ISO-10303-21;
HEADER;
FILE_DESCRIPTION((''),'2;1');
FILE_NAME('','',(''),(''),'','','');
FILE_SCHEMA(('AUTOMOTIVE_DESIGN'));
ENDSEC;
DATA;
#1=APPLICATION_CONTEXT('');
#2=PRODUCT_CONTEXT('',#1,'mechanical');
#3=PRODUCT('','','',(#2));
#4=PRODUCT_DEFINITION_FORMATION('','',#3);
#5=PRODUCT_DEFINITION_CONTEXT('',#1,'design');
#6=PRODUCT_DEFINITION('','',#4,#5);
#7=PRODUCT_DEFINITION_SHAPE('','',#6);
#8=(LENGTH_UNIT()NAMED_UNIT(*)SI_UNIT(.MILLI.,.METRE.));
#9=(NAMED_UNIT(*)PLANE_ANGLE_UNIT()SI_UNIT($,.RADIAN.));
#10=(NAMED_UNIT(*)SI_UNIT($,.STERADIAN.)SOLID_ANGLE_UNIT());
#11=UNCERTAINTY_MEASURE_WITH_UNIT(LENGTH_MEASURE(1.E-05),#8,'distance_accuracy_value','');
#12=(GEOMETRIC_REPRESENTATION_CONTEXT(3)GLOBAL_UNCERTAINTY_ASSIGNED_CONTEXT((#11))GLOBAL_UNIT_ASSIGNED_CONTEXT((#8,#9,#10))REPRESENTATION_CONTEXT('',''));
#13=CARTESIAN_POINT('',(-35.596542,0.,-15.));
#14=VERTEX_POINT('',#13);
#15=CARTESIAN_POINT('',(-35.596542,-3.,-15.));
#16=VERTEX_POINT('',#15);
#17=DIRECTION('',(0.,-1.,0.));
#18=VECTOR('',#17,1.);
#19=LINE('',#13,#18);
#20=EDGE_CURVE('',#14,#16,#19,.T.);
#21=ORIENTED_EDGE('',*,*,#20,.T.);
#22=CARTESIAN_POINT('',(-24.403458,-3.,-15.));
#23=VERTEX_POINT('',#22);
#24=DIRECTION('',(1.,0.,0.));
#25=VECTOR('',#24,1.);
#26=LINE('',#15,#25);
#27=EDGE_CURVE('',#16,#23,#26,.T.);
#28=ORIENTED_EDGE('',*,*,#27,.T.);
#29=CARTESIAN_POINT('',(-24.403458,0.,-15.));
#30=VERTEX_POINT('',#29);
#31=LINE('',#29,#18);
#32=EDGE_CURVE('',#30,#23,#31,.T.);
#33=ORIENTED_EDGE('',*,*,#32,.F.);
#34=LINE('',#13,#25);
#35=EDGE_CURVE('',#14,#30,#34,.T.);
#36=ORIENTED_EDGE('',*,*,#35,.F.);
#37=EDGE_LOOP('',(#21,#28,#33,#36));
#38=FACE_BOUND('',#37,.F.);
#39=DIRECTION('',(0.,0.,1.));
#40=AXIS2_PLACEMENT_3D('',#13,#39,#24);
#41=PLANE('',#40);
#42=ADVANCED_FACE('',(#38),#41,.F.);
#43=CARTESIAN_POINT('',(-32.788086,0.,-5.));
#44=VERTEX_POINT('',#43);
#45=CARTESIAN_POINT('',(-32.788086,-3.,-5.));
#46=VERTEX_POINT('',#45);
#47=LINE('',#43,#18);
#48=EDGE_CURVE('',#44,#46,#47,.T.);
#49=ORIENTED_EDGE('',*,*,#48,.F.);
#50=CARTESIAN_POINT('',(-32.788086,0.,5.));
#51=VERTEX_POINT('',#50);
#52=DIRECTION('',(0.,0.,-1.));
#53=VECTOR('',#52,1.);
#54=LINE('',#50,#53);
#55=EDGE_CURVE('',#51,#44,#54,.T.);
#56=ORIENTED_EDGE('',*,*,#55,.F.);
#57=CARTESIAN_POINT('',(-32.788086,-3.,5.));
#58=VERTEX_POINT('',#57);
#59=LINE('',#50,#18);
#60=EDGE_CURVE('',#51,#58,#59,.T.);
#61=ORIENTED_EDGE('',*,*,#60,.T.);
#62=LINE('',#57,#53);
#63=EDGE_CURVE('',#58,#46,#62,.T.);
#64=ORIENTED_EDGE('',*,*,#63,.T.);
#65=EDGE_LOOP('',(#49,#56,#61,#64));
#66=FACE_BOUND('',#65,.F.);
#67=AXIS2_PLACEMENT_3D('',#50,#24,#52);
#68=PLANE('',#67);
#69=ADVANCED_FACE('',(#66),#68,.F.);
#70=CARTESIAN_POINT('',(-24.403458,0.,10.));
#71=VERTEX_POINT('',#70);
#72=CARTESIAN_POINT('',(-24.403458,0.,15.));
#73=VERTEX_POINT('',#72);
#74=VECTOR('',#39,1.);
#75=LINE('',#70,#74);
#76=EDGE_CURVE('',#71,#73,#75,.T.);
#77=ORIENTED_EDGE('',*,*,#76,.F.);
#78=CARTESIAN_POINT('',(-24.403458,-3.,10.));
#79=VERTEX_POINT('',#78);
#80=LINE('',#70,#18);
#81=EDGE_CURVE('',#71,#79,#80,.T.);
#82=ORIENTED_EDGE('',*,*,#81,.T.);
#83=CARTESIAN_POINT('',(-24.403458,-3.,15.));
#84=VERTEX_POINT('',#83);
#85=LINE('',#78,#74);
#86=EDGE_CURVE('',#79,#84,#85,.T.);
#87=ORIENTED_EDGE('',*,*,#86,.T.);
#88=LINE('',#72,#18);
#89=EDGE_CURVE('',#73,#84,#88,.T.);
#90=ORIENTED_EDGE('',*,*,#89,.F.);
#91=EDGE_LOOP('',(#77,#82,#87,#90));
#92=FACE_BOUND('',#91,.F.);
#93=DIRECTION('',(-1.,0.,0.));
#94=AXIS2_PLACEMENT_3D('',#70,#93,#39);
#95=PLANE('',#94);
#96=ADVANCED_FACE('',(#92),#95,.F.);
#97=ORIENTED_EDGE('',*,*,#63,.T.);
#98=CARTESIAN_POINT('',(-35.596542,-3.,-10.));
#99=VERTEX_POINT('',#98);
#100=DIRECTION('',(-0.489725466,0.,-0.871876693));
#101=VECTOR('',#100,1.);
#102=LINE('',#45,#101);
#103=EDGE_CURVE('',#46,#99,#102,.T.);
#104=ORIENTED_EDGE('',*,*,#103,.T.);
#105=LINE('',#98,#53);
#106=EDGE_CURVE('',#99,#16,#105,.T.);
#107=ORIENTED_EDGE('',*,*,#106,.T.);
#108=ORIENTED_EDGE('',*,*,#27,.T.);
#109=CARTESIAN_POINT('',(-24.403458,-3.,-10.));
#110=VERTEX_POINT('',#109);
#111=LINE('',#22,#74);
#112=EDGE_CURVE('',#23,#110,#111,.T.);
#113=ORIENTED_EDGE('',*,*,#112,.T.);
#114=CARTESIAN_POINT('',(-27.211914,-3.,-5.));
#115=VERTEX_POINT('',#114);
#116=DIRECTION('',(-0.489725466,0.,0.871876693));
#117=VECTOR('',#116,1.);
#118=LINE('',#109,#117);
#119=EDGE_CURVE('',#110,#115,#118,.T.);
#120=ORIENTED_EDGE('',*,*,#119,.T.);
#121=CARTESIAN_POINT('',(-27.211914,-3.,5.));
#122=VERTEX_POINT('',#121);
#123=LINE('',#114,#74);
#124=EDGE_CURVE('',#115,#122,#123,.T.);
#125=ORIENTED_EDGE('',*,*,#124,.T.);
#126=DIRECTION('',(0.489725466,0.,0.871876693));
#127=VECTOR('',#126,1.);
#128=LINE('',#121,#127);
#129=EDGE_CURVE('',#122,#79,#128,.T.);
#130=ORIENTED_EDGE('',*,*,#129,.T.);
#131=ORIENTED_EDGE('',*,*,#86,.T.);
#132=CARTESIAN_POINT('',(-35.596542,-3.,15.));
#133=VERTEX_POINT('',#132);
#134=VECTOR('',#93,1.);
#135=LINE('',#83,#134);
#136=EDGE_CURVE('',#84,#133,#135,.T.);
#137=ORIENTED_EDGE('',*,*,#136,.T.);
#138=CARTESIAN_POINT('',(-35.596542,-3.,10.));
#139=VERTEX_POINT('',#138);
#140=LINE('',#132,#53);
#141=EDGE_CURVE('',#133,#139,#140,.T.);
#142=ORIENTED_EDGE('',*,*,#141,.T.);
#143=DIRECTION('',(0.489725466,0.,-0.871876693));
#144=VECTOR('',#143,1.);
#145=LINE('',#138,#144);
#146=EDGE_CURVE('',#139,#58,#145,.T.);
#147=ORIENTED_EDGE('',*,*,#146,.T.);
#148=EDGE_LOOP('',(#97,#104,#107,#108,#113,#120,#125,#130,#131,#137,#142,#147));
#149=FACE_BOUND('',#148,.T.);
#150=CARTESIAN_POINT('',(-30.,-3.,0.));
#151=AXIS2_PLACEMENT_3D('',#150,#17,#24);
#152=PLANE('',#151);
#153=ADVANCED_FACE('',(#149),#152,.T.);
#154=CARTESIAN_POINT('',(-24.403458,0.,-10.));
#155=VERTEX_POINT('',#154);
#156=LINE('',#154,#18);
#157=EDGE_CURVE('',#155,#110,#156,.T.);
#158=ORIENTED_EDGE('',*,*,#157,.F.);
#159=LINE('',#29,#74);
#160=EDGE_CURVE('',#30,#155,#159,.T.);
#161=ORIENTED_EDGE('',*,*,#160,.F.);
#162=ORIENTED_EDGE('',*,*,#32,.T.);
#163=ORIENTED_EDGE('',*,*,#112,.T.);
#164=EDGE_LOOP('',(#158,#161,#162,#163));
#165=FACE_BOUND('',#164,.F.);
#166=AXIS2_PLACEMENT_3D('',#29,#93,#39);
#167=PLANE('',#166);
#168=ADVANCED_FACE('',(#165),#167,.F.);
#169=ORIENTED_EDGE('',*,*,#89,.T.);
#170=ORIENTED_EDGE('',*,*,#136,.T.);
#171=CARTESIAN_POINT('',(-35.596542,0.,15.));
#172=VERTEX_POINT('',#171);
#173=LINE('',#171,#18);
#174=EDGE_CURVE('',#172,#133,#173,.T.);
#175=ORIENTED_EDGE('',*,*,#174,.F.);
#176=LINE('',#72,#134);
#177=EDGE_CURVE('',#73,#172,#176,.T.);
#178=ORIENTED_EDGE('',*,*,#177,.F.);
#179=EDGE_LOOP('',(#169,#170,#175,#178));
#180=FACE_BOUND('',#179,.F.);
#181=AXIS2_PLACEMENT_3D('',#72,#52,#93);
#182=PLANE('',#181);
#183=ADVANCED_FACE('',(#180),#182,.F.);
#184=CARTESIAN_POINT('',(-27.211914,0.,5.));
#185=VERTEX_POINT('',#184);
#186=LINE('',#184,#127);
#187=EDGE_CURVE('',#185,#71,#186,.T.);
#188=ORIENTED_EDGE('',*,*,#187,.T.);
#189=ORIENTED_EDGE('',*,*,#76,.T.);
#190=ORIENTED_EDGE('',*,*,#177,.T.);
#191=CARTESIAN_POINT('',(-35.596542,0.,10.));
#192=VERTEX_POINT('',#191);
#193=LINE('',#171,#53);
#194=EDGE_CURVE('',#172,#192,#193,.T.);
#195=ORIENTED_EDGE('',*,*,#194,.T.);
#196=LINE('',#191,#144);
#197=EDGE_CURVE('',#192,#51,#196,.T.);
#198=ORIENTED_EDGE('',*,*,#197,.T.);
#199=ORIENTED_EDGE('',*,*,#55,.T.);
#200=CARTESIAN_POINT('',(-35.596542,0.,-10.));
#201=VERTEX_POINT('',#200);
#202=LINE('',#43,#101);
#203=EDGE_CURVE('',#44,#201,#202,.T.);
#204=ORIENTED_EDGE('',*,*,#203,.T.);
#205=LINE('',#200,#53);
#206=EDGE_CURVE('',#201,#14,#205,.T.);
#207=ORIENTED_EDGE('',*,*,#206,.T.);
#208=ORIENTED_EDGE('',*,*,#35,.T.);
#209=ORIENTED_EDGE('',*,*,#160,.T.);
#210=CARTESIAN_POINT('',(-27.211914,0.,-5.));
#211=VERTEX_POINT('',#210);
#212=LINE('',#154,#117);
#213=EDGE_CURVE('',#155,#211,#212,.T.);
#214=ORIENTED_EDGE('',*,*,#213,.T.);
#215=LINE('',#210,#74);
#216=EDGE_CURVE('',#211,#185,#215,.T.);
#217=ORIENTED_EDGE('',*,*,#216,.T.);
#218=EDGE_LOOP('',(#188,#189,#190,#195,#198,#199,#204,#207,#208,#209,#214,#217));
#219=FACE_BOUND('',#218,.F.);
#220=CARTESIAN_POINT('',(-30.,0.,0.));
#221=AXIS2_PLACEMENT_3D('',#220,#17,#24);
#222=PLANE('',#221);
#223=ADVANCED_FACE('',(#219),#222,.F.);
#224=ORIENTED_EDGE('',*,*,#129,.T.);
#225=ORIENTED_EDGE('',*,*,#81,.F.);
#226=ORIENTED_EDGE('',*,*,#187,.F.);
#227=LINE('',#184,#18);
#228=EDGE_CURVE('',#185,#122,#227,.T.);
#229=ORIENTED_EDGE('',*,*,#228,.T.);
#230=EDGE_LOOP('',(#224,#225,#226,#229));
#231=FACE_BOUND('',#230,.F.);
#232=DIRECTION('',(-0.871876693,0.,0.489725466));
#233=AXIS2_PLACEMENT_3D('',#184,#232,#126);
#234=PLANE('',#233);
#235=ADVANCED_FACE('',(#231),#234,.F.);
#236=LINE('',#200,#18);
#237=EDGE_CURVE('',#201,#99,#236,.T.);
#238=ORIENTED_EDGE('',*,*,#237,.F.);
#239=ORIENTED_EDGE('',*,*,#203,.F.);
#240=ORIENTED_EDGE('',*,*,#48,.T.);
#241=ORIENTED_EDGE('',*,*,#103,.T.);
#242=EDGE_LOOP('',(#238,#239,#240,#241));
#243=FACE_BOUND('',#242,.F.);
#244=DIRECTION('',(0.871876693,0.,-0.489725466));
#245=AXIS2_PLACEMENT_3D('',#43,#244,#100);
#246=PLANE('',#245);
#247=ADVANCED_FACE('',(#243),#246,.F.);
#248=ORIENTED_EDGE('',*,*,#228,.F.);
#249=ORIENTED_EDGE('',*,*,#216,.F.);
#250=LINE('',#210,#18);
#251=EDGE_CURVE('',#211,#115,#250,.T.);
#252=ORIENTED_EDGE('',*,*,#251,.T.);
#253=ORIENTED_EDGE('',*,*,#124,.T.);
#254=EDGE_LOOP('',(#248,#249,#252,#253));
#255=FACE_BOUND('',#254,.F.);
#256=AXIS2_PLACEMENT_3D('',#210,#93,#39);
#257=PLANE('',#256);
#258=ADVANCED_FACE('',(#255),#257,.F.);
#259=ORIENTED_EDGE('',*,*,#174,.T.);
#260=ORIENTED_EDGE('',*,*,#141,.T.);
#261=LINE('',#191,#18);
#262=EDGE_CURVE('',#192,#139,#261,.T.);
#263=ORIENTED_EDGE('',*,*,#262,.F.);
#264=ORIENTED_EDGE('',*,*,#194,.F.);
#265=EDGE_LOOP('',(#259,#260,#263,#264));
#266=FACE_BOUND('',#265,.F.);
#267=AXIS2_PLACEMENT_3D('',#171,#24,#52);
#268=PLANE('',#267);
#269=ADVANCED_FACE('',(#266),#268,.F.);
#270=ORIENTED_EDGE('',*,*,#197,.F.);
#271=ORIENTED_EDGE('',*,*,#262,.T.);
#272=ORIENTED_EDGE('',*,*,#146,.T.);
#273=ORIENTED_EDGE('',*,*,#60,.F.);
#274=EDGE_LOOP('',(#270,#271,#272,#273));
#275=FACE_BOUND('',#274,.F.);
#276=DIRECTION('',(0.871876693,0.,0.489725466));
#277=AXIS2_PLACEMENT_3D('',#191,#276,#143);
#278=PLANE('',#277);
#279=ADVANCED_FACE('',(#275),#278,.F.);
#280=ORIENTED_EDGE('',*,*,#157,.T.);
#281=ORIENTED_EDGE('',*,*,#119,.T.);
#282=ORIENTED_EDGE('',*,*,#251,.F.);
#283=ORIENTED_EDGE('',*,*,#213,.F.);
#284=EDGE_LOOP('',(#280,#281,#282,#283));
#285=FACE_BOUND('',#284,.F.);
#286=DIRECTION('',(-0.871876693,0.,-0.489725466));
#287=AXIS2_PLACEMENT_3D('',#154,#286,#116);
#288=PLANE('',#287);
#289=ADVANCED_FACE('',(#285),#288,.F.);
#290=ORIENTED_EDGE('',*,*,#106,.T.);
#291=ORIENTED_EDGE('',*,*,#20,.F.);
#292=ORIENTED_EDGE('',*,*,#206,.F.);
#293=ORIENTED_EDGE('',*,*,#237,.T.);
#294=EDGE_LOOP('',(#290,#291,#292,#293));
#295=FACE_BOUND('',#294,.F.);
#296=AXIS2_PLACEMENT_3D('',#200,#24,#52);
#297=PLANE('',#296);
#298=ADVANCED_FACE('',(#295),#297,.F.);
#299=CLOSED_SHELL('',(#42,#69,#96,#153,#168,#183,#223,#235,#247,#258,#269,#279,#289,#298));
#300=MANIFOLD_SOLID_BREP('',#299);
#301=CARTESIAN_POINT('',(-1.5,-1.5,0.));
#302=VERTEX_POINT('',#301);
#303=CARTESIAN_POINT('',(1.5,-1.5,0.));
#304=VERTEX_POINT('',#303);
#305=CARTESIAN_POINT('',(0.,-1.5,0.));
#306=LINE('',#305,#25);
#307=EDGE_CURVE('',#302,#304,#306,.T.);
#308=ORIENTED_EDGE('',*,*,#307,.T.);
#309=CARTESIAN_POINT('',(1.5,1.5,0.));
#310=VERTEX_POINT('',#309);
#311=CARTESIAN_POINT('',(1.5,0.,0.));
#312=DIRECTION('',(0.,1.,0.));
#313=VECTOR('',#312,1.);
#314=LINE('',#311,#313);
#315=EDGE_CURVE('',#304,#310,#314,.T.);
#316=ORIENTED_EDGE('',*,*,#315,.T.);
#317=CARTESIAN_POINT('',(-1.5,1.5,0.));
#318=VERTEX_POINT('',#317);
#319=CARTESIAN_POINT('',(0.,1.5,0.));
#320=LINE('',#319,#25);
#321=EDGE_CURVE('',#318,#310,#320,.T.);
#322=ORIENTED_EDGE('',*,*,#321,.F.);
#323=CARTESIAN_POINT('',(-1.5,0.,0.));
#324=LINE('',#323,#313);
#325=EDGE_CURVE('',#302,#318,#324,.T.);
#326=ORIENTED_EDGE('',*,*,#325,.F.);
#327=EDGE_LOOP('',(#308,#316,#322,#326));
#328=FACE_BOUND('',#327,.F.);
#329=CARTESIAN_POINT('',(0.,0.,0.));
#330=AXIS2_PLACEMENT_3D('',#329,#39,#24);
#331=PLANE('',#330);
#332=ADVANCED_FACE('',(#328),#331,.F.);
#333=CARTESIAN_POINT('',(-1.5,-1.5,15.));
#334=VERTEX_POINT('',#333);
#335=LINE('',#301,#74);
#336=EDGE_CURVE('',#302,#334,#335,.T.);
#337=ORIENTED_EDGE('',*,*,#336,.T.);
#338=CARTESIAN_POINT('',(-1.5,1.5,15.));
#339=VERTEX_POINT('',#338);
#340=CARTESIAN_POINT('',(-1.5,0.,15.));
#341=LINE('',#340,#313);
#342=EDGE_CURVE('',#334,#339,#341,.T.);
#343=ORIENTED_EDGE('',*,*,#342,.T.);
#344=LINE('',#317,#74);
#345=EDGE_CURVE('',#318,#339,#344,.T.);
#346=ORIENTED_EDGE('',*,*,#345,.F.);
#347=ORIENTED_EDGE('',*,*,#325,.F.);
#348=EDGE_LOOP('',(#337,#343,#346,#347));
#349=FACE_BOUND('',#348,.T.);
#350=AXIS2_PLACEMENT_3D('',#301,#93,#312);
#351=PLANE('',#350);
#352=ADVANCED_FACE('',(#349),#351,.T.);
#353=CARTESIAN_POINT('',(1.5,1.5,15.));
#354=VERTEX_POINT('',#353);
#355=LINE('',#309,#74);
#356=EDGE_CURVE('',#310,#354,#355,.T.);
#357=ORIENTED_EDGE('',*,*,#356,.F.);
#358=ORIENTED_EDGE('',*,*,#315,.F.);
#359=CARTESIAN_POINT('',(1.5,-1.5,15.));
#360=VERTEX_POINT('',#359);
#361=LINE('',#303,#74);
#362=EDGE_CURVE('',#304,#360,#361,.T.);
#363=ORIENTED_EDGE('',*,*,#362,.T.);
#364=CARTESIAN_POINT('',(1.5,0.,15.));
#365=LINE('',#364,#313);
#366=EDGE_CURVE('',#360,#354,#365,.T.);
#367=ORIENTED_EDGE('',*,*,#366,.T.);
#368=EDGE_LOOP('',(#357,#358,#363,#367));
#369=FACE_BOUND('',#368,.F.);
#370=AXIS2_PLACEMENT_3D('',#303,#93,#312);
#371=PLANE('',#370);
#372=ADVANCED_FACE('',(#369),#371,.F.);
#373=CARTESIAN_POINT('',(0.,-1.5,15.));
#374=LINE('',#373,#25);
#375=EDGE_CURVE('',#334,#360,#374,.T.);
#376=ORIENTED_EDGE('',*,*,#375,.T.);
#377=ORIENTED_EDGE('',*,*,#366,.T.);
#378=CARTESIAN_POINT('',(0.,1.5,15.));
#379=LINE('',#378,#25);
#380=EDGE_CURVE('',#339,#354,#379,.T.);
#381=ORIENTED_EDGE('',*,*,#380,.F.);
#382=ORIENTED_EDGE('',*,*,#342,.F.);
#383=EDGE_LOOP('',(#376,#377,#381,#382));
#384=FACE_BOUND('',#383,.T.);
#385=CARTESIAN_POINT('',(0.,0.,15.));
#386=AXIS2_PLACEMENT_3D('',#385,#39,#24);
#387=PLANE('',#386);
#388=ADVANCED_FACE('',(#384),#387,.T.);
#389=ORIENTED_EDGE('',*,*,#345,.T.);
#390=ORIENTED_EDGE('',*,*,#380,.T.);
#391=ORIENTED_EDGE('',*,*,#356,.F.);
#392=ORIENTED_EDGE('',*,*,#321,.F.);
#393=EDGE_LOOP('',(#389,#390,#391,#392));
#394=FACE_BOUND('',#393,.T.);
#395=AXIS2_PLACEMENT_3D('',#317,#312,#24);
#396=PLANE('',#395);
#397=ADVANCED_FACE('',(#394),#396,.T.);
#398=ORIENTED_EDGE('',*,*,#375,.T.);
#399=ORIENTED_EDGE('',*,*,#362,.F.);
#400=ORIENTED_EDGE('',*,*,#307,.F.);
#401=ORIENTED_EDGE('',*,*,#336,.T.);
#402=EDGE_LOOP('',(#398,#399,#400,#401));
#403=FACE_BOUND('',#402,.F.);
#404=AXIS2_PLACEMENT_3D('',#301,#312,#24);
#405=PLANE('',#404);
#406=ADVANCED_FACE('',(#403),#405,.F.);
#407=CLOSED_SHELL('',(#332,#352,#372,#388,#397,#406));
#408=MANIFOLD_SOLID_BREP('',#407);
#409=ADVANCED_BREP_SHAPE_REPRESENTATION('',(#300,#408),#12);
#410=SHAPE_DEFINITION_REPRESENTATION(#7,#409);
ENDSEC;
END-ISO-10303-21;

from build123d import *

# Parameters (mm, degrees)
F0_W     = 3
F0_H     = 3
F1_DEPTH = 15
F3_DEPTH = 3


with BuildPart() as f1:
    # F0 (on Top) → F1 (new body)
    with BuildSketch(Plane.XY):
        Rectangle(F0_W, F0_H)
    extrude(amount=F1_DEPTH)


with BuildPart() as f3:
    # F2 (on Front) → F3 (new body)
    with BuildSketch(Plane.XZ):
        Polygon((-35.596542, -15), (-24.403458, -15), (-24.403458, -10), (-27.211914, -5), (-27.211914, 5), (-24.403458, 10), (-24.403458, 15), (-35.596542, 15), (-35.596542, 10), (-32.788086, 5), (-32.788086, -5), (-35.596542, -10), align=None)
    extrude(amount=F3_DEPTH)


solid = Compound([f1.part, f3.part])
